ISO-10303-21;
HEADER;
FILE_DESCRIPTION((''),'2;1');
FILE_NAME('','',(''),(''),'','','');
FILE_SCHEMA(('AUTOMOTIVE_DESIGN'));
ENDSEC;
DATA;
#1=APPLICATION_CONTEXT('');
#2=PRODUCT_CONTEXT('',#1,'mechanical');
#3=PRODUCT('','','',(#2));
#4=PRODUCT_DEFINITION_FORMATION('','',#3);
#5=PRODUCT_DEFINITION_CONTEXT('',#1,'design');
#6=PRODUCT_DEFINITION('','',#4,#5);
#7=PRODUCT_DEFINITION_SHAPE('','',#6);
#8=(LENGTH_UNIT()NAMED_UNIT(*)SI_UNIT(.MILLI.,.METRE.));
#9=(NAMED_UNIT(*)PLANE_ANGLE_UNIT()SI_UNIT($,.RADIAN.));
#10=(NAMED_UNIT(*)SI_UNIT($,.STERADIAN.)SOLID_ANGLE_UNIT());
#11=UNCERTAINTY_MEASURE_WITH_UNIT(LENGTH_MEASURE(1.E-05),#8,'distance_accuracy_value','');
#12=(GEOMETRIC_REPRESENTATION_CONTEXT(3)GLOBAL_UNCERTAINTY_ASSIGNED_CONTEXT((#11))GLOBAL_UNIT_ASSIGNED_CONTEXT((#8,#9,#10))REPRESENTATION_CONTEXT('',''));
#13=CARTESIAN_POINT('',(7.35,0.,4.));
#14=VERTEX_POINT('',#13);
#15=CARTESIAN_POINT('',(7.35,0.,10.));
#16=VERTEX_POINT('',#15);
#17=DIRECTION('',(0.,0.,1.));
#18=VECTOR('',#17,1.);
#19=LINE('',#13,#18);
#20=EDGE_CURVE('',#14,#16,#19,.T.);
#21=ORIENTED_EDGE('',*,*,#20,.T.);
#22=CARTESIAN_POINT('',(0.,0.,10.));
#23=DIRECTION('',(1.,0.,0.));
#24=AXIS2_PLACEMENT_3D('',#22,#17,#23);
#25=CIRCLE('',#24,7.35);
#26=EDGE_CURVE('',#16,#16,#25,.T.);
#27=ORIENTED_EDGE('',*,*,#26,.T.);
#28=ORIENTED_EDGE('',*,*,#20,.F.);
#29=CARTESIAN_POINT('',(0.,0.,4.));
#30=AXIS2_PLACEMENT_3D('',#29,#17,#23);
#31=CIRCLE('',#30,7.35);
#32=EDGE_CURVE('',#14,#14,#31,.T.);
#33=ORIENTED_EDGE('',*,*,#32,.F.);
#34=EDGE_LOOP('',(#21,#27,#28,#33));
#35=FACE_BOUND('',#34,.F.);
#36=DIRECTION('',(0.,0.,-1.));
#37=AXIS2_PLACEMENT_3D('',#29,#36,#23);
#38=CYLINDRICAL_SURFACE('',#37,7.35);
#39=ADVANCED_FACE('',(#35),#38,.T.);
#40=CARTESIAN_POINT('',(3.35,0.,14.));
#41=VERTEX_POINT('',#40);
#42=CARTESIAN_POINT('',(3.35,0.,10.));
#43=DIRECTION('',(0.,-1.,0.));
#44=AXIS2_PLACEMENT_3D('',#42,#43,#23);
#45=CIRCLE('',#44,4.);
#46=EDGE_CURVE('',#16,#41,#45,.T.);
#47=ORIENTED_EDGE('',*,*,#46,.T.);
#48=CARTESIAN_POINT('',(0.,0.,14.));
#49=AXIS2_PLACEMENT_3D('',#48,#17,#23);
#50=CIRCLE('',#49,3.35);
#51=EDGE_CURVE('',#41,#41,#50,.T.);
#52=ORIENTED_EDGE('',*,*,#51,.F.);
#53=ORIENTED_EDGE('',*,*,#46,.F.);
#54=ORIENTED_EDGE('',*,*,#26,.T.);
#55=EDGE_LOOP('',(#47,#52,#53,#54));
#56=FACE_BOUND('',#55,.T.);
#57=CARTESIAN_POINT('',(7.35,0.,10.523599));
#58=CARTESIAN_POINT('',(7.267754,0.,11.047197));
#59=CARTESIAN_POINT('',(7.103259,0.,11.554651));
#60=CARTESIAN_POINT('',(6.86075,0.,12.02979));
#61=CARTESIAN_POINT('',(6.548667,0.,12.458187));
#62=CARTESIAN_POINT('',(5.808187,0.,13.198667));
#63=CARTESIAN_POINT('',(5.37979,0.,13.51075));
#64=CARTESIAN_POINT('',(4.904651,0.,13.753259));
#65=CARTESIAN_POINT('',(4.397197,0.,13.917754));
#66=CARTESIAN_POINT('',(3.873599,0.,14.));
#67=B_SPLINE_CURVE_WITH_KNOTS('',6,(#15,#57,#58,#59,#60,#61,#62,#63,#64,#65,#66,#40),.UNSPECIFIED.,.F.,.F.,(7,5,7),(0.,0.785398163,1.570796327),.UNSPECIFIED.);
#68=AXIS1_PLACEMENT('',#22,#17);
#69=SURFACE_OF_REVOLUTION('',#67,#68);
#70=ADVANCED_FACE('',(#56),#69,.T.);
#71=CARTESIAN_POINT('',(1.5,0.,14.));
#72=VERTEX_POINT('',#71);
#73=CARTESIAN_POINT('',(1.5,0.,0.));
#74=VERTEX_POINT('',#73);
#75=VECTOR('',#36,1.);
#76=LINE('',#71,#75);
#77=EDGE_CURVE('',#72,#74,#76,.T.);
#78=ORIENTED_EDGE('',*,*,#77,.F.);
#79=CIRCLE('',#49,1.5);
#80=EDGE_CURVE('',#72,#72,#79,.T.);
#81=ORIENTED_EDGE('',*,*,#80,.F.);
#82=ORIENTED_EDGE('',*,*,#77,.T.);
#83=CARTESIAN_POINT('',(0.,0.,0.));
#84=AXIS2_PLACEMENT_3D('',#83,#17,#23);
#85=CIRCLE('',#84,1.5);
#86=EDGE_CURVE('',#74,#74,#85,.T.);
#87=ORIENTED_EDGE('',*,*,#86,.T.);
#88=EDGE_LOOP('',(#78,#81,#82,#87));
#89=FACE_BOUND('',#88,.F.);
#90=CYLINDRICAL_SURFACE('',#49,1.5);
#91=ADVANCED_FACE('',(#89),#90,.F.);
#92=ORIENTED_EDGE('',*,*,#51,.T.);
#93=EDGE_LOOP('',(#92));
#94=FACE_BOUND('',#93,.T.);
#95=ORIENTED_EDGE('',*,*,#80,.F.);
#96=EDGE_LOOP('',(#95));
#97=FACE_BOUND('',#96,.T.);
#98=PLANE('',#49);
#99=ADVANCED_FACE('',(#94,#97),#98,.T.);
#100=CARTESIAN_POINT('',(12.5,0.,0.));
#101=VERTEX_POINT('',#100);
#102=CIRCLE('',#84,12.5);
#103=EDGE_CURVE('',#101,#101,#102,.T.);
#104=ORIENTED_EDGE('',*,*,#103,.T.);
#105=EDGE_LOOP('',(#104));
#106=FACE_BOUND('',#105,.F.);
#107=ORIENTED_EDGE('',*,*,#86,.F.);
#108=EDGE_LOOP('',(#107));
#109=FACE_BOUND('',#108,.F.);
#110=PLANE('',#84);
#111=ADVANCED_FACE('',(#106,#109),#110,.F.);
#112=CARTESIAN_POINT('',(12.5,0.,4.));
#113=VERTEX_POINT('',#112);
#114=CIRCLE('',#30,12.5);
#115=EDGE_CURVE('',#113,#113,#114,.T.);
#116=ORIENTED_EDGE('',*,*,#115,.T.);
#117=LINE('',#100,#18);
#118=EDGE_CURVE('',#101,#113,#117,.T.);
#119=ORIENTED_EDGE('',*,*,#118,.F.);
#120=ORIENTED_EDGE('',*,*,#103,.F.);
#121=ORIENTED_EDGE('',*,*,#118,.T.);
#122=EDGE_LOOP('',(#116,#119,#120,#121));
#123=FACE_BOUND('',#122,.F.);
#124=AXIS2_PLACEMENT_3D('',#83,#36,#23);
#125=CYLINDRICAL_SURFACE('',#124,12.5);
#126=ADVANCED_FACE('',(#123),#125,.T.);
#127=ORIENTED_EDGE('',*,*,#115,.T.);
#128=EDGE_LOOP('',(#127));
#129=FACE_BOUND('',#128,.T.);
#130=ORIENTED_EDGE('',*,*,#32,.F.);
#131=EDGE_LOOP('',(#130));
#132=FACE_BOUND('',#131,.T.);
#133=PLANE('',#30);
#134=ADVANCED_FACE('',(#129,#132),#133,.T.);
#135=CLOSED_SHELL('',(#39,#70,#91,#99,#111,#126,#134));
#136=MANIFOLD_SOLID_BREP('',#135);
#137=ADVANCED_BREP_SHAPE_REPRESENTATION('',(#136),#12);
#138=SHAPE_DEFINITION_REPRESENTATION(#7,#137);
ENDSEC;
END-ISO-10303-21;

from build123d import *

# Parameters (mm, degrees)
F0_R     = 12.5
F1_DEPTH = 4
F2_R     = 7.35
F3_DEPTH = 10
F4_R     = 1.5
F5_DEPTH = 14.001
F6_R     = 4


with BuildPart() as f1:
    # F0 (on Top) → F1 (new body)
    with BuildSketch(Plane.XY):
        Circle(F0_R)
    extrude(amount=F1_DEPTH)

    # F2 (on face) → F3 (join)
    with BuildSketch(Plane.XY.offset(4)):
        Circle(F2_R)
    extrude(amount=F3_DEPTH)

    # F4 (on face) → F5 (cut, through all)
    with BuildSketch(Plane.XY.offset(14)):
        Circle(F4_R)
    extrude(amount=-F5_DEPTH, mode=Mode.SUBTRACT)

    # F6
    f6_edges = [f1.edges().sort_by_distance(p)[0] for p in [
        (-7.35, 0, 14),
    ]]
    fillet(f6_edges, radius=F6_R)


solid = f1.part
